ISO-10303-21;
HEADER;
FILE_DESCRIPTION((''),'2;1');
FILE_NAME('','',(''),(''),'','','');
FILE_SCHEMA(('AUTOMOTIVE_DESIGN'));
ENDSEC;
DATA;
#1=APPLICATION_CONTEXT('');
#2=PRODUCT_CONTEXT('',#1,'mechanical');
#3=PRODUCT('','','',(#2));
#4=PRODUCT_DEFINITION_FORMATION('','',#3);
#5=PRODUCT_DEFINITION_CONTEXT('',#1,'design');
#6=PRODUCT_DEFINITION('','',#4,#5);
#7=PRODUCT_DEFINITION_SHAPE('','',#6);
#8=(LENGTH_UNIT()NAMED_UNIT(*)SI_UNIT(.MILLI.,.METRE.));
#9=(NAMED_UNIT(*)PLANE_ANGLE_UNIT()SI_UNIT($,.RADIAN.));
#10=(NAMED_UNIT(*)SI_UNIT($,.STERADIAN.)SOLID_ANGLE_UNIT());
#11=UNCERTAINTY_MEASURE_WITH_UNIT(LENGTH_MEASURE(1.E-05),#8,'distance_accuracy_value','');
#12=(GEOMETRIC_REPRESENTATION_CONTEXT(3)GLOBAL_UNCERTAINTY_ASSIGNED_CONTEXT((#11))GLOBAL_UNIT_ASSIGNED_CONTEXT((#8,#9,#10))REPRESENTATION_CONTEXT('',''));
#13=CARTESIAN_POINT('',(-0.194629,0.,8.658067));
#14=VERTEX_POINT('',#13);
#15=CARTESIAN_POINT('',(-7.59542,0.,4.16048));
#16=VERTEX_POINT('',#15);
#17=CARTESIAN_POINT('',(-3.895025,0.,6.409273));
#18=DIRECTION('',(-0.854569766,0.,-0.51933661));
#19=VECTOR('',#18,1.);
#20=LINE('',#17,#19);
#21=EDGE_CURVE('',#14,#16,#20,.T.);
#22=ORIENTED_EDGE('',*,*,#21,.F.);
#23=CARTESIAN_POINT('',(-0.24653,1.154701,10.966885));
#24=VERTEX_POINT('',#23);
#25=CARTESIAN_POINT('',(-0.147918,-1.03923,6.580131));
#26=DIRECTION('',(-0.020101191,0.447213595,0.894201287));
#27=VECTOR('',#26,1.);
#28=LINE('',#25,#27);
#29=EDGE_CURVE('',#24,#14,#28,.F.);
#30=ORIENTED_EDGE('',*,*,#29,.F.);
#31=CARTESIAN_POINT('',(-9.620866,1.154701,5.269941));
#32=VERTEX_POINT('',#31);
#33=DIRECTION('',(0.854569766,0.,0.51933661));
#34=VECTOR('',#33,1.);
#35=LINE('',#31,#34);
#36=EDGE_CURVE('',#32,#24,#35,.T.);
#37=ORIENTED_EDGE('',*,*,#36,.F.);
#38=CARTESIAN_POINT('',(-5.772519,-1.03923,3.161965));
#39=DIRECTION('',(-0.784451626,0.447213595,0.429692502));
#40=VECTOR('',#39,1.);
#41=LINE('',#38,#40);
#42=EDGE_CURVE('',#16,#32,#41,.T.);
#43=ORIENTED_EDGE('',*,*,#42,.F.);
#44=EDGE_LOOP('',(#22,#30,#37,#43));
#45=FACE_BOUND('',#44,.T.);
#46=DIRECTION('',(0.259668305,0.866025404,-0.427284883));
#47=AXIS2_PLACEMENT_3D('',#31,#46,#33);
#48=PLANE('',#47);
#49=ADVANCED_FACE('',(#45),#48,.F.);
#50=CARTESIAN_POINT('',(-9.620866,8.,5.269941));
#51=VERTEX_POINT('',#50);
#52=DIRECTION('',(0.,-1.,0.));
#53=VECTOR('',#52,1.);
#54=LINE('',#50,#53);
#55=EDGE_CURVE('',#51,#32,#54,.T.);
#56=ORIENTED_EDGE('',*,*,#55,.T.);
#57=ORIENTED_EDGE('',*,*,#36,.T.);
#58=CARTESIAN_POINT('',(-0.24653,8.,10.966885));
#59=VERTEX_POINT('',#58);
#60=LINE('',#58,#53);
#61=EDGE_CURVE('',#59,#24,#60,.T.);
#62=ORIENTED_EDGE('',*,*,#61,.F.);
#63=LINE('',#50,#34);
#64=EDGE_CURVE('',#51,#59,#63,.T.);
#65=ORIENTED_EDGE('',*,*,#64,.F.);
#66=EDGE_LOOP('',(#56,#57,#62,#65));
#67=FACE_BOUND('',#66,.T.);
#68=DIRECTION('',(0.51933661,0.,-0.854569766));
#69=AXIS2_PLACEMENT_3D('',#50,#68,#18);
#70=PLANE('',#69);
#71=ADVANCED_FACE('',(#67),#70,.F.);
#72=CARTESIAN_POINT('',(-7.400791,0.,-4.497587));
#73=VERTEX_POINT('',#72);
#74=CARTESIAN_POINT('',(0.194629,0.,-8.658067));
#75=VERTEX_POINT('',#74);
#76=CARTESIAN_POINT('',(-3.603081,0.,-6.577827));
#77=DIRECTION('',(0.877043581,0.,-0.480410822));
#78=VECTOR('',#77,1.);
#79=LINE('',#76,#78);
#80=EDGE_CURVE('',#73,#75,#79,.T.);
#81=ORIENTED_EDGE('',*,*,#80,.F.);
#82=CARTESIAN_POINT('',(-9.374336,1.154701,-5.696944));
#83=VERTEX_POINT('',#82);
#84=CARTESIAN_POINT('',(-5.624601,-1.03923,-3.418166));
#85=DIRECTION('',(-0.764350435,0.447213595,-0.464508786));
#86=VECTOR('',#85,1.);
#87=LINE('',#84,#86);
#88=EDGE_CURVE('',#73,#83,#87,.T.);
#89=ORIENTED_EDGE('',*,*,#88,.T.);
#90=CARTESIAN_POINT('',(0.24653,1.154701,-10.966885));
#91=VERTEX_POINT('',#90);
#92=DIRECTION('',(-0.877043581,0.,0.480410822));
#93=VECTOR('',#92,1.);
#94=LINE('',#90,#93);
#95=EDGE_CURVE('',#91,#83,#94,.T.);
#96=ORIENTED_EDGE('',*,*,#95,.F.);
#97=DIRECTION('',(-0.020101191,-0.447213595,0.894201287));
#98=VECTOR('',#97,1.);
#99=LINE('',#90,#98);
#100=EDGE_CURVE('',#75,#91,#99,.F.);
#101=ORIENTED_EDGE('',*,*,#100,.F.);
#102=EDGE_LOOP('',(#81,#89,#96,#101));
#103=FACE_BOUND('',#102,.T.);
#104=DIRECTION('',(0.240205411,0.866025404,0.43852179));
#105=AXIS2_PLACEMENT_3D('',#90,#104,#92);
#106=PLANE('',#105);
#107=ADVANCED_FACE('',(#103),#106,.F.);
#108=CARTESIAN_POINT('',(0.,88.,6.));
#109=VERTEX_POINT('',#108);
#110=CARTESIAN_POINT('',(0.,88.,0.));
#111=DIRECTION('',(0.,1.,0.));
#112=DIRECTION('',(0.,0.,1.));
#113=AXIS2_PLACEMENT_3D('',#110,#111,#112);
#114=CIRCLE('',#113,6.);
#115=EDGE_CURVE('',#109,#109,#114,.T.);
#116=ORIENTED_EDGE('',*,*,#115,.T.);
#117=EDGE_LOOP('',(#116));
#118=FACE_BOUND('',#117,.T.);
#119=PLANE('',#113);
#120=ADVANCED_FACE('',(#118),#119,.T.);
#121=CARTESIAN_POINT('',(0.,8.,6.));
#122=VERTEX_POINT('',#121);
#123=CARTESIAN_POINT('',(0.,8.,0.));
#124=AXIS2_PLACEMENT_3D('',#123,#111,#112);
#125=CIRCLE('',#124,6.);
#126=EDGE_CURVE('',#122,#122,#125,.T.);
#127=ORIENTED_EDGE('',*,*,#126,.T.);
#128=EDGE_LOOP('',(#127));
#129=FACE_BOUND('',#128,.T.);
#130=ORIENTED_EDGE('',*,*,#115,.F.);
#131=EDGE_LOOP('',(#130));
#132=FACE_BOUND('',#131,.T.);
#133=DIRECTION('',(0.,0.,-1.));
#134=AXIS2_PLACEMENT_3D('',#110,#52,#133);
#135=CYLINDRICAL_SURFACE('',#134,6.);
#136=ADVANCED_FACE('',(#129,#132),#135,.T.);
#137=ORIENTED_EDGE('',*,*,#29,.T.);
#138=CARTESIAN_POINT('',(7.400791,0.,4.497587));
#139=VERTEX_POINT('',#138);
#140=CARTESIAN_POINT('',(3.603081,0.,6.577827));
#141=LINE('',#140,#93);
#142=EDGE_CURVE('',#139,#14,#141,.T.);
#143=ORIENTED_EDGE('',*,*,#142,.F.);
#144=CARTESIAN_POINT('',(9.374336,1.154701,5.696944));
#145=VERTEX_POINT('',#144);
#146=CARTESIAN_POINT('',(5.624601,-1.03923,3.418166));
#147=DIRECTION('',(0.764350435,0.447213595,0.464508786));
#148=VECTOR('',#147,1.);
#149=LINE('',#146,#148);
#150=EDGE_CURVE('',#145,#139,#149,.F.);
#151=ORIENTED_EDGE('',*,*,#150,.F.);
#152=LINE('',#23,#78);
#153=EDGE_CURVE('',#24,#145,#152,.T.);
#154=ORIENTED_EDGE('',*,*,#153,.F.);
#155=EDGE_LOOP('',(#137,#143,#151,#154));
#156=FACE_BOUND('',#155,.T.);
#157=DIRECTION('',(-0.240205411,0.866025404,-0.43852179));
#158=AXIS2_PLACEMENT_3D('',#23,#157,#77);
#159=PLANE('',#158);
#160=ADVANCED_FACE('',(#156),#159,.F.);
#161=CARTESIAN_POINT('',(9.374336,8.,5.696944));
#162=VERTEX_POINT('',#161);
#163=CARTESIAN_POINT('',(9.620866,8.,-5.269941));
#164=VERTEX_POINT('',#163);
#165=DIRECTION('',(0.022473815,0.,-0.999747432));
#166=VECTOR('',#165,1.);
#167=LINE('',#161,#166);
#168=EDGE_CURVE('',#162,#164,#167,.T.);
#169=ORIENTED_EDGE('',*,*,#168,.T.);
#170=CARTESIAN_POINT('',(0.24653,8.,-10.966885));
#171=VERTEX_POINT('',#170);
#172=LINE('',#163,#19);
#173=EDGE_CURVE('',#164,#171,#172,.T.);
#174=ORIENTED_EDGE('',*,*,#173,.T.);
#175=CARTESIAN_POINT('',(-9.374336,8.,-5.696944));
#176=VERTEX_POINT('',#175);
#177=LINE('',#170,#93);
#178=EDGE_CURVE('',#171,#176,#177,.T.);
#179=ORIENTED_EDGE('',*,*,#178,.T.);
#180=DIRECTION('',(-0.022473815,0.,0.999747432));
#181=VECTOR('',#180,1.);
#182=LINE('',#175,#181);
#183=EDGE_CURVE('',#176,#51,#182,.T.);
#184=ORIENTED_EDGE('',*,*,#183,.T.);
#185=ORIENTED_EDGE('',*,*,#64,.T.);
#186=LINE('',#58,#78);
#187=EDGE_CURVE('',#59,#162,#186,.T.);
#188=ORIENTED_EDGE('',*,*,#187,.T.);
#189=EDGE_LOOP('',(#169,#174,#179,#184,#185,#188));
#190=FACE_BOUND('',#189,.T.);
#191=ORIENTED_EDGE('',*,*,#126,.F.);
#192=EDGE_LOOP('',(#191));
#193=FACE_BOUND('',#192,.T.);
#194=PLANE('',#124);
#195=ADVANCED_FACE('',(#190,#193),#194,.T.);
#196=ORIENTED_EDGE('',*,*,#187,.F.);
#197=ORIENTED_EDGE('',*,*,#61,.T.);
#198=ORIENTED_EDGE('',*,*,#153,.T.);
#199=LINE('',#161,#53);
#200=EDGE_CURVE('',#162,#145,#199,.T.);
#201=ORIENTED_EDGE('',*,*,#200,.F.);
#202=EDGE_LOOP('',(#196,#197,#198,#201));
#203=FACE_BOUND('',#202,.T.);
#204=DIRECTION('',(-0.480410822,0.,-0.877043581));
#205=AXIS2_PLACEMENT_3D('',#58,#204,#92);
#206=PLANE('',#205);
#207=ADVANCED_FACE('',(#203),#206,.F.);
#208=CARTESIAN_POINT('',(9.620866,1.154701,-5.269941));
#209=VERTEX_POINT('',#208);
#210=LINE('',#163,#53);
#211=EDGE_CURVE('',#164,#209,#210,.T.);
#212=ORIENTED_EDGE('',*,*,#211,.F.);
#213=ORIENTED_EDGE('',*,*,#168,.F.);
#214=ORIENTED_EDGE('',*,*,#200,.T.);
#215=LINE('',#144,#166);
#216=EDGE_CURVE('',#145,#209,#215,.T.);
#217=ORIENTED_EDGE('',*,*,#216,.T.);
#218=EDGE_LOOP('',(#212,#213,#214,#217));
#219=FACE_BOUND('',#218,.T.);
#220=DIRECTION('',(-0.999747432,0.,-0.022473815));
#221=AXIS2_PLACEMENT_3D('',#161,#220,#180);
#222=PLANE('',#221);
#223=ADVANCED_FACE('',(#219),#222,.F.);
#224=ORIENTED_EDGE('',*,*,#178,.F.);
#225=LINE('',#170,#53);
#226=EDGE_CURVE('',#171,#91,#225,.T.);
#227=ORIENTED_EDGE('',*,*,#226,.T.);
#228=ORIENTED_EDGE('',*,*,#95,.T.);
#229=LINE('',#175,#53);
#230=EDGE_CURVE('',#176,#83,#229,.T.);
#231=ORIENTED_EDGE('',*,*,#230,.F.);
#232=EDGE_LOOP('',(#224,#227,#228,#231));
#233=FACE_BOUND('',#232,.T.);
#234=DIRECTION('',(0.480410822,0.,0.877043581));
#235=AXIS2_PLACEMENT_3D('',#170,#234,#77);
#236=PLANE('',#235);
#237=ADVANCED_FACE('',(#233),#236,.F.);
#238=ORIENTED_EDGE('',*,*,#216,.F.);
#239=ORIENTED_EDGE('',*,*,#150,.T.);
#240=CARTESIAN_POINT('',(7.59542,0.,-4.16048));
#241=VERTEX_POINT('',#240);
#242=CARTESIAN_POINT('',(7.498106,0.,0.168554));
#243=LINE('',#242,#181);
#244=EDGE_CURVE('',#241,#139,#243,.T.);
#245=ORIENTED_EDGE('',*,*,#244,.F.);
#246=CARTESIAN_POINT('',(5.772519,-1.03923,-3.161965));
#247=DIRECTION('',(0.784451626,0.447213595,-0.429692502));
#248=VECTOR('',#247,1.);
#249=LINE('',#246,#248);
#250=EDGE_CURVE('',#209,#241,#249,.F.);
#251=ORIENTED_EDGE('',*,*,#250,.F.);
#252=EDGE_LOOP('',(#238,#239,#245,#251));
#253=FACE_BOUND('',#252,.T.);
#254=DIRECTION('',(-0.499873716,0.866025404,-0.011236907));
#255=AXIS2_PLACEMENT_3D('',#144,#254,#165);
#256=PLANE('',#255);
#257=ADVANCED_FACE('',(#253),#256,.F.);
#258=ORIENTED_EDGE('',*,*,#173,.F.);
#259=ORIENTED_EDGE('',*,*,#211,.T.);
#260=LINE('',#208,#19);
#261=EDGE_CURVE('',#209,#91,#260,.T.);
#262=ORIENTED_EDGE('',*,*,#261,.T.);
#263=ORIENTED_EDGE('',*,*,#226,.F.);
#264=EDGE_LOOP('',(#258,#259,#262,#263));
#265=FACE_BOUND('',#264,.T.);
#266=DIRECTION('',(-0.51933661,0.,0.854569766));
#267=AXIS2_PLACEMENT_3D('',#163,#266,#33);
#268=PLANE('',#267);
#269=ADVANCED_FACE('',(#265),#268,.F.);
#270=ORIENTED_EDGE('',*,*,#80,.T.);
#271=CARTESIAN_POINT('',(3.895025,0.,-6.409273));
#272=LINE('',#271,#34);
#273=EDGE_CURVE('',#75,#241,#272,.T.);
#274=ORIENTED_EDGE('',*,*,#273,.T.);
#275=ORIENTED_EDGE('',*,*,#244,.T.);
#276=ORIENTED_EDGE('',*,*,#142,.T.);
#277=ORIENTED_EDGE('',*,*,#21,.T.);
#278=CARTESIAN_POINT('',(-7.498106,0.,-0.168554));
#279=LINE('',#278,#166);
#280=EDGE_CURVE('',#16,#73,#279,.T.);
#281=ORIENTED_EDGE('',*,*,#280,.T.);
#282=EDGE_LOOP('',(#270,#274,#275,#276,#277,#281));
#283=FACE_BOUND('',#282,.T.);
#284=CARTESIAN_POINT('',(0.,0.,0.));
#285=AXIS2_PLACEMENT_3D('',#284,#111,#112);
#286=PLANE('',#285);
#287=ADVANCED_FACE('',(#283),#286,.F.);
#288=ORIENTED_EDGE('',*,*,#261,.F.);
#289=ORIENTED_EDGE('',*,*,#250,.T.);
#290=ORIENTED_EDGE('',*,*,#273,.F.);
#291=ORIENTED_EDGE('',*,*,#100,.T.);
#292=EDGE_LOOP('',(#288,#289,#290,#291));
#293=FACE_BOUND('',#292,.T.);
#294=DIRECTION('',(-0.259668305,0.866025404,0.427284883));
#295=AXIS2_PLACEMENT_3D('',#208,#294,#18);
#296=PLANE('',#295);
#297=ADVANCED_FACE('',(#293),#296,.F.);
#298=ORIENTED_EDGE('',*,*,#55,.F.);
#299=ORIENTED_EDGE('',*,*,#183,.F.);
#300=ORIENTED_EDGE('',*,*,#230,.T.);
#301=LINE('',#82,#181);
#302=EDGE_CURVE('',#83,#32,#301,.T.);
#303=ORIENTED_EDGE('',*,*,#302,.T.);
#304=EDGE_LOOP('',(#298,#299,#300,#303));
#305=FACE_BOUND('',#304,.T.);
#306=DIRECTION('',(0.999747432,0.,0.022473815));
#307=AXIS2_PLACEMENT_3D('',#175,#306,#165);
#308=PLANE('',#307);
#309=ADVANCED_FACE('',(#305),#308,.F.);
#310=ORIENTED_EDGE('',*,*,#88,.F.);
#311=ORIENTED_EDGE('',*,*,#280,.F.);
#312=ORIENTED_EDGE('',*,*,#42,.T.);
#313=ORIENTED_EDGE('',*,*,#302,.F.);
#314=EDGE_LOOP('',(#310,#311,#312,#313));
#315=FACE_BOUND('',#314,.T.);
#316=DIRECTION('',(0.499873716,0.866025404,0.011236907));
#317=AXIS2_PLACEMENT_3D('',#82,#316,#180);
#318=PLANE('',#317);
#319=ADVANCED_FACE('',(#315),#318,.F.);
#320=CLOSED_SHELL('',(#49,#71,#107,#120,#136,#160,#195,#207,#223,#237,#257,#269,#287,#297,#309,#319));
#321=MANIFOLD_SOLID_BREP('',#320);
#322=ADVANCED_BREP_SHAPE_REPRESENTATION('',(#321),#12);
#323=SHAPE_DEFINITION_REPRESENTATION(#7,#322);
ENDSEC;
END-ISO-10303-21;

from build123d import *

# Parameters (mm, degrees)
EXTRUDE_1_DEPTH = 8
SKETCH_2_R      = 6
EXTRUDE_2_DEPTH = 80
CHAMFER_1_SIZE  = 2
CHAMFER_1_SIZE2 = 1.154700538


with BuildPart() as part:
    # Эскиз1 → Бобышка-Вытянуть1 (new body)
    with BuildSketch(Plane(origin=(0, 0, 0), x_dir=(1, 0, 0), z_dir=(0, 1, 0))):
        Polygon((9.374335606, -5.696943503), (9.620865601, 5.269941027), (0.246529995, 10.96688453), (-9.374335606, 5.696943503), (-9.620865601, -5.269941027), (-0.246529995, -10.96688453), align=None)
    extrude(amount=EXTRUDE_1_DEPTH)

    # Эскиз2 → Бобышка-Вытянуть2 (add)
    with BuildSketch(Plane(origin=(0, 8, 0), x_dir=(1, 0, 0), z_dir=(0, 1, 0))):
        Circle(SKETCH_2_R)
    extrude(amount=EXTRUDE_2_DEPTH)

    # Фаска1
    chamfer_1_edges = [part.edges().sort_by_distance(p)[0] for p in [
        (-4.933697798, 0, 8.118412778),
        (-9.497600603, 0, -0.213501238),
        (-4.563902806, 0, -8.331914017),
        (4.933697798, 0, -8.118412778),
        (9.497600603, 0, 0.213501238),
        (4.563902806, 0, 8.331914017),
    ]]
    chamfer_1_side = [part.faces().sort_by_distance(p)[0] for p in [
        (0, 0, 0),
    ]]
    chamfer(chamfer_1_edges, length=CHAMFER_1_SIZE, length2=CHAMFER_1_SIZE2, reference=chamfer_1_side[0])


solid = part.part
